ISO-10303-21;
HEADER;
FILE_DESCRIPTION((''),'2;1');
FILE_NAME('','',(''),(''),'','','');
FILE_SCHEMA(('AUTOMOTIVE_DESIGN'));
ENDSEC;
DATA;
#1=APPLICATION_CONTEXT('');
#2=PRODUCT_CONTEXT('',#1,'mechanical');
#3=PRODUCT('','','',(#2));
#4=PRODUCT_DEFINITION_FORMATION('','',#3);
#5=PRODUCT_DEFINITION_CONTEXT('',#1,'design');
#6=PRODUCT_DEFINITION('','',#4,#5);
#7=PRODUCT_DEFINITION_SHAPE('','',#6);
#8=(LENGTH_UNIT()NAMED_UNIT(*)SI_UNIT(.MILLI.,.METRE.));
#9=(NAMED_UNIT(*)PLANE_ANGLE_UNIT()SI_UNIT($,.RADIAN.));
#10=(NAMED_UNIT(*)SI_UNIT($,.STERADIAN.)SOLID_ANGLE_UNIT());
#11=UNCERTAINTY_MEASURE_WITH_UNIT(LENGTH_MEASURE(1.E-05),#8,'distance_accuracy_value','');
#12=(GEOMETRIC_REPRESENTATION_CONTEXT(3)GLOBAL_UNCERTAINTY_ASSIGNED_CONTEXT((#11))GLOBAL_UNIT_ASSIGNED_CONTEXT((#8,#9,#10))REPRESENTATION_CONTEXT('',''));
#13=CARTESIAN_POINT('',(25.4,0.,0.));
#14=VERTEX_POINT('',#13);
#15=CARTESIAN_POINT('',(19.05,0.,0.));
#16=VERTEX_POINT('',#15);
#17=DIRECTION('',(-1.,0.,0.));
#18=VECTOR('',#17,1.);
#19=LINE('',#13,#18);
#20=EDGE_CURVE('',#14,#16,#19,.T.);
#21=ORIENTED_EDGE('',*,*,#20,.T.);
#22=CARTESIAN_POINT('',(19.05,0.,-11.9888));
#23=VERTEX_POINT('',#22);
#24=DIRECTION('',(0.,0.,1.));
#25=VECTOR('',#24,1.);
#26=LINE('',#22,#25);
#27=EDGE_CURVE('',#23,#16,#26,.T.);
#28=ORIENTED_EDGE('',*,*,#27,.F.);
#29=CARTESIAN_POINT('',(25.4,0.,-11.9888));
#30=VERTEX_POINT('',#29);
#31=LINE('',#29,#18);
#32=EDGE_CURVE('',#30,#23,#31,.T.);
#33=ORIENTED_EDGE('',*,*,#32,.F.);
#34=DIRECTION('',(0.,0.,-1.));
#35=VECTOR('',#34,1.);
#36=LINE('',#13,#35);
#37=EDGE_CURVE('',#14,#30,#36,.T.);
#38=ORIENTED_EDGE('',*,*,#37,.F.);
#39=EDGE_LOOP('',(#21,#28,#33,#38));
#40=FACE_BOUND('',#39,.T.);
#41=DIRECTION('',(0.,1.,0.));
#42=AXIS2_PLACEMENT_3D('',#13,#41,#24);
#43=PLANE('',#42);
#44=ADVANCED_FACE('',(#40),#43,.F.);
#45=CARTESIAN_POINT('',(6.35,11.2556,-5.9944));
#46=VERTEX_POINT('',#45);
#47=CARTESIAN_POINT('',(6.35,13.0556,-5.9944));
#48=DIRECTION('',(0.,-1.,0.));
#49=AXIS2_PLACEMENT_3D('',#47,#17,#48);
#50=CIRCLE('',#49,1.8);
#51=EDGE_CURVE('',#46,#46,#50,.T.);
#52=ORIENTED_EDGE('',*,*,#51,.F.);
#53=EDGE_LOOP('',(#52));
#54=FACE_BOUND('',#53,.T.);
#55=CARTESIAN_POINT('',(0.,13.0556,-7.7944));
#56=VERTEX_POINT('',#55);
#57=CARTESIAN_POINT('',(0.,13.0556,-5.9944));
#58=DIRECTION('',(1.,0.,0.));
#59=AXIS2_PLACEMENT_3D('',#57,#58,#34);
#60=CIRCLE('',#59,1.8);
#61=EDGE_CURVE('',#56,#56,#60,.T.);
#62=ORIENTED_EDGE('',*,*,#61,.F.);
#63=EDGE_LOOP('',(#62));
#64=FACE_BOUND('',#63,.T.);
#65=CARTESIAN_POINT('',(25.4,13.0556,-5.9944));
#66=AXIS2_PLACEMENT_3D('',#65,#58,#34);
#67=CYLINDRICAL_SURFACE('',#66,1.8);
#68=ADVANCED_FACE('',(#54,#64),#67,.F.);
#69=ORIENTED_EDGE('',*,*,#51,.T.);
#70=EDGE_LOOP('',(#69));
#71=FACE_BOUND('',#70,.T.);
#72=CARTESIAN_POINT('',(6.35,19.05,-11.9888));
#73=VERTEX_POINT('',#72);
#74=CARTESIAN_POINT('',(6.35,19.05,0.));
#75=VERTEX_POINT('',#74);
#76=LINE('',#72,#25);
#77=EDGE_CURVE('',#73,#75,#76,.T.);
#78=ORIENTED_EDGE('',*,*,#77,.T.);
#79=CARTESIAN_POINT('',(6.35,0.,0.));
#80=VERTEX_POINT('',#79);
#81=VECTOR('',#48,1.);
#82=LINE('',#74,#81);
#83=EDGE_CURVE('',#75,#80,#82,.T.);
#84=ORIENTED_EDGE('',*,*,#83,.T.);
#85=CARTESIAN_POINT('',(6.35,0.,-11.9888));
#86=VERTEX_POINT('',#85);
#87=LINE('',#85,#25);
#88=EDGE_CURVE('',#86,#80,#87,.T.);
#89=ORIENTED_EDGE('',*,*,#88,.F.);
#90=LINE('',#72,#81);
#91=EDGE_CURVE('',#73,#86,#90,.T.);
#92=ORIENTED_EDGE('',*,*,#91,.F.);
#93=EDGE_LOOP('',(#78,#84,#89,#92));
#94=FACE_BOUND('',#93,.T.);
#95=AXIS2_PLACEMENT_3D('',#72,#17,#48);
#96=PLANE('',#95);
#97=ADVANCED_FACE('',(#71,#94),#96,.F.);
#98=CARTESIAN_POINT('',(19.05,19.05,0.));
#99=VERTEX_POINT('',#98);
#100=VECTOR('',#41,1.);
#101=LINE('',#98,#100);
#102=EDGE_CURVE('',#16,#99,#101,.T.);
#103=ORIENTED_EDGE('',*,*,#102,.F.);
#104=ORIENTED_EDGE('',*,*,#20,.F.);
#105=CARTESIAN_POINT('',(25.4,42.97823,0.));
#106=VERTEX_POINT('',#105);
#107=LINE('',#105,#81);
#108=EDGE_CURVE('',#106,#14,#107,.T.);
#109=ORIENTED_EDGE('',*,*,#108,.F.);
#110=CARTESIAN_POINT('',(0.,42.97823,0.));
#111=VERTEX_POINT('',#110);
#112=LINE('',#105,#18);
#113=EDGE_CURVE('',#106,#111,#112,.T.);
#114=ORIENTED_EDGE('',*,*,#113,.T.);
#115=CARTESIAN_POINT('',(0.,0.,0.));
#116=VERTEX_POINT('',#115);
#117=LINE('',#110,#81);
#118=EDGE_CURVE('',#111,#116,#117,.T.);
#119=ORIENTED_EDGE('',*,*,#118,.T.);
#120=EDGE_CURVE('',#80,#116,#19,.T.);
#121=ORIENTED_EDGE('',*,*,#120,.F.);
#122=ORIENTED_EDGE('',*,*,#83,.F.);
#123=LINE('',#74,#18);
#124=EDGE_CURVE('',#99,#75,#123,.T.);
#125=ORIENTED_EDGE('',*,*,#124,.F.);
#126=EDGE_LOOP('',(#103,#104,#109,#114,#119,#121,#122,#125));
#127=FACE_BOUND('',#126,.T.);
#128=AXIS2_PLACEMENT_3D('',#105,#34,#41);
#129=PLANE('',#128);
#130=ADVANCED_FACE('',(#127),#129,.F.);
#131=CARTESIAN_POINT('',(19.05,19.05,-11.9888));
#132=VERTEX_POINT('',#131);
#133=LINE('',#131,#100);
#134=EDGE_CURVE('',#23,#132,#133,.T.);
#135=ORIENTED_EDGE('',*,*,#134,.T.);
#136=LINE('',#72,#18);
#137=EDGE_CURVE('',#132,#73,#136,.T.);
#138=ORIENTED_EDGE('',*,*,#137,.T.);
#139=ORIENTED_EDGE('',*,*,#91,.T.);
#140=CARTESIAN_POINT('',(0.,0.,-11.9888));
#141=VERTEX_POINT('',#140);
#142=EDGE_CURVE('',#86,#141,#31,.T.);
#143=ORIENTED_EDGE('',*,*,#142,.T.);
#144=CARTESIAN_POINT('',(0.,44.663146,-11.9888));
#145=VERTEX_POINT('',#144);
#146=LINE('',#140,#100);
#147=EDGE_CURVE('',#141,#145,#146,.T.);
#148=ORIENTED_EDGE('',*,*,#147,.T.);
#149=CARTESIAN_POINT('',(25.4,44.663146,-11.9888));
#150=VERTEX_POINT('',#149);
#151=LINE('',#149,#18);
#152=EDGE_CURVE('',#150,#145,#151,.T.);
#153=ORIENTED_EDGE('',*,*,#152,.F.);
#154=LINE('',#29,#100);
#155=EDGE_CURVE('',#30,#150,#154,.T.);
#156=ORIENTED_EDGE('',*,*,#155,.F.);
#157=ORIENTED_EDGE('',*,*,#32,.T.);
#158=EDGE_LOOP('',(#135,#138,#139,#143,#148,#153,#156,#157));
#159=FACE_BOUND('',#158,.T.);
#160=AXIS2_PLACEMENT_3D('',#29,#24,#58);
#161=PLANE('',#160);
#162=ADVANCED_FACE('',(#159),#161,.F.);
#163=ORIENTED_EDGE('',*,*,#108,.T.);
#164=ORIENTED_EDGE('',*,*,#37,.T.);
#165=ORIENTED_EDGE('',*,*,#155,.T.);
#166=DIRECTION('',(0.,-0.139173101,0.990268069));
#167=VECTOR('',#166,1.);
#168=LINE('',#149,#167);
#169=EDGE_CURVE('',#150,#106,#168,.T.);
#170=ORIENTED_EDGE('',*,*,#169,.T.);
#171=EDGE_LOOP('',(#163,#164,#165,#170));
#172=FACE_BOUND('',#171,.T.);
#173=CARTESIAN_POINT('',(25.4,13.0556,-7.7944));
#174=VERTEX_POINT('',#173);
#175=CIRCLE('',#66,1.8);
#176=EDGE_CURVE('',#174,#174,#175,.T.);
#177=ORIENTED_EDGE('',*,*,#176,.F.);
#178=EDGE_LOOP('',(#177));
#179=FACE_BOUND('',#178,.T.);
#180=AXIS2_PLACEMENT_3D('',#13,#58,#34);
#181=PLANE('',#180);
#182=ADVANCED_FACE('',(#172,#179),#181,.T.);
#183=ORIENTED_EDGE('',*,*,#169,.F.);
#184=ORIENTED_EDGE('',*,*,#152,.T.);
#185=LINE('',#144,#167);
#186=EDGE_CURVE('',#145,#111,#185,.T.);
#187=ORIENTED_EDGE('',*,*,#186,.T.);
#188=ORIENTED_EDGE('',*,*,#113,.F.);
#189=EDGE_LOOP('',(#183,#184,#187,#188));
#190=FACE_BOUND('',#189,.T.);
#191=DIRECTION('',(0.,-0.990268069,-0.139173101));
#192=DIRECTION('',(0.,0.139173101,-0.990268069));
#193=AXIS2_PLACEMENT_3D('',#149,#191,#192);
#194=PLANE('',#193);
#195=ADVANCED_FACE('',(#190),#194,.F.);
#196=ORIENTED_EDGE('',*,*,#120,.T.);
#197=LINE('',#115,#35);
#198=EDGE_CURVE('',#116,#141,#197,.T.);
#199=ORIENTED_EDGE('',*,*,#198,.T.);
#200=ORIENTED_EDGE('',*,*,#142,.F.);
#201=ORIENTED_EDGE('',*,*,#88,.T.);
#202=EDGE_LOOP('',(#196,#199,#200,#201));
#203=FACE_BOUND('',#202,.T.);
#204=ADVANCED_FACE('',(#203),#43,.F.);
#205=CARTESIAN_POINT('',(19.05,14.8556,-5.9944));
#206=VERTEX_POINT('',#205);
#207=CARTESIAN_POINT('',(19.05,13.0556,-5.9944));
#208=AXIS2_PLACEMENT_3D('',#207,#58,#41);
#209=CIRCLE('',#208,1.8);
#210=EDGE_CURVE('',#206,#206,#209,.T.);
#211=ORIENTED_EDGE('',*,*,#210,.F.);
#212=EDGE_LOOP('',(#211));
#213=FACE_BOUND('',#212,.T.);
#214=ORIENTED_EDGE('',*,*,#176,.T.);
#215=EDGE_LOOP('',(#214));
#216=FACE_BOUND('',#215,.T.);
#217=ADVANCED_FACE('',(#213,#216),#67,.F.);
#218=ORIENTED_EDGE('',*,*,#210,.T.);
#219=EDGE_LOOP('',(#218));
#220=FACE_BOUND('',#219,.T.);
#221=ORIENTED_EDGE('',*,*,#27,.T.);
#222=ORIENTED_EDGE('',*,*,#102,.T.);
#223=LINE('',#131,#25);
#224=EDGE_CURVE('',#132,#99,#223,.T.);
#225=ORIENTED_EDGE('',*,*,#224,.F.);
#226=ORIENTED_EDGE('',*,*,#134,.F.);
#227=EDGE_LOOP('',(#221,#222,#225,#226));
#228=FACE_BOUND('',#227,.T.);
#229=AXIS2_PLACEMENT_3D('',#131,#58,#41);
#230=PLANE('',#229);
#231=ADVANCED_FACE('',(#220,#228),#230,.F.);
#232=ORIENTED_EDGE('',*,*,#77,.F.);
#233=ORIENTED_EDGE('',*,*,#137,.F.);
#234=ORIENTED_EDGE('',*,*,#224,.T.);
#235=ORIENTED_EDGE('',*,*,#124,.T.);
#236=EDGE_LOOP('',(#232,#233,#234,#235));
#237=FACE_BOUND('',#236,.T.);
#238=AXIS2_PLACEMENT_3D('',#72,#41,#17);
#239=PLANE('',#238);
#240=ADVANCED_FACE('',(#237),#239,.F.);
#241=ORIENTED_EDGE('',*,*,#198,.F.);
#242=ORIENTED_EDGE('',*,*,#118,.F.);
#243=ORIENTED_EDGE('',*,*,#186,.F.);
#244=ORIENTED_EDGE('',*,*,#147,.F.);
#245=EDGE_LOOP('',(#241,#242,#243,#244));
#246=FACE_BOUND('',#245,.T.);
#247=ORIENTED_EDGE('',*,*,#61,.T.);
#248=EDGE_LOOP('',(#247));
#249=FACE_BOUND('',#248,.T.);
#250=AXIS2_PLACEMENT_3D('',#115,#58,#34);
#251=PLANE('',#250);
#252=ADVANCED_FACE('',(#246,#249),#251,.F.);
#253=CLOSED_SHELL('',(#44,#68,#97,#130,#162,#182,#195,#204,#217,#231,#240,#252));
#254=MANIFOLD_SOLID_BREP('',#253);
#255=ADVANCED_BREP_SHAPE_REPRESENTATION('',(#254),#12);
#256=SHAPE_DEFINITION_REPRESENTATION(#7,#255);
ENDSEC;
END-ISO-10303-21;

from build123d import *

# Parameters (mm, degrees)
BOSS_EXTRUDE1_DEPTH  = 25.4
SKETCH2_W            = 12.7
SKETCH2_H            = 19.05
CUT_EXTRUDE1_DEPTH   = 53.76066686
M3_CLEARANCE_HOLE1_D = 3.6


with BuildPart() as part:
    # Sketch1 → Boss-Extrude1 (new body)
    with BuildSketch(Plane(origin=(0, 0, 0), x_dir=(0, 0, -1), z_dir=(1, 0, 0))):
        Polygon((0, 0), (11.9888, 0), (11.9888, 44.663146352), (0, 42.978230393), align=None)
    extrude(amount=BOSS_EXTRUDE1_DEPTH)

    # Sketch2 → Cut-Extrude1 (cut, through all)
    with BuildSketch(Plane.XY):
        with Locations((12.7, 9.525)):
            Rectangle(SKETCH2_W, SKETCH2_H)
    extrude(amount=-CUT_EXTRUDE1_DEPTH, mode=Mode.SUBTRACT)

    # M3 Clearance Hole1 (through all)
    with Locations(Plane(origin=(25.4, 0, 0), x_dir=(0, 0, -1), z_dir=(1, 0, 0))):
        with Locations((5.9944, 13.0556)):
            Hole(M3_CLEARANCE_HOLE1_D / 2)


solid = part.part
